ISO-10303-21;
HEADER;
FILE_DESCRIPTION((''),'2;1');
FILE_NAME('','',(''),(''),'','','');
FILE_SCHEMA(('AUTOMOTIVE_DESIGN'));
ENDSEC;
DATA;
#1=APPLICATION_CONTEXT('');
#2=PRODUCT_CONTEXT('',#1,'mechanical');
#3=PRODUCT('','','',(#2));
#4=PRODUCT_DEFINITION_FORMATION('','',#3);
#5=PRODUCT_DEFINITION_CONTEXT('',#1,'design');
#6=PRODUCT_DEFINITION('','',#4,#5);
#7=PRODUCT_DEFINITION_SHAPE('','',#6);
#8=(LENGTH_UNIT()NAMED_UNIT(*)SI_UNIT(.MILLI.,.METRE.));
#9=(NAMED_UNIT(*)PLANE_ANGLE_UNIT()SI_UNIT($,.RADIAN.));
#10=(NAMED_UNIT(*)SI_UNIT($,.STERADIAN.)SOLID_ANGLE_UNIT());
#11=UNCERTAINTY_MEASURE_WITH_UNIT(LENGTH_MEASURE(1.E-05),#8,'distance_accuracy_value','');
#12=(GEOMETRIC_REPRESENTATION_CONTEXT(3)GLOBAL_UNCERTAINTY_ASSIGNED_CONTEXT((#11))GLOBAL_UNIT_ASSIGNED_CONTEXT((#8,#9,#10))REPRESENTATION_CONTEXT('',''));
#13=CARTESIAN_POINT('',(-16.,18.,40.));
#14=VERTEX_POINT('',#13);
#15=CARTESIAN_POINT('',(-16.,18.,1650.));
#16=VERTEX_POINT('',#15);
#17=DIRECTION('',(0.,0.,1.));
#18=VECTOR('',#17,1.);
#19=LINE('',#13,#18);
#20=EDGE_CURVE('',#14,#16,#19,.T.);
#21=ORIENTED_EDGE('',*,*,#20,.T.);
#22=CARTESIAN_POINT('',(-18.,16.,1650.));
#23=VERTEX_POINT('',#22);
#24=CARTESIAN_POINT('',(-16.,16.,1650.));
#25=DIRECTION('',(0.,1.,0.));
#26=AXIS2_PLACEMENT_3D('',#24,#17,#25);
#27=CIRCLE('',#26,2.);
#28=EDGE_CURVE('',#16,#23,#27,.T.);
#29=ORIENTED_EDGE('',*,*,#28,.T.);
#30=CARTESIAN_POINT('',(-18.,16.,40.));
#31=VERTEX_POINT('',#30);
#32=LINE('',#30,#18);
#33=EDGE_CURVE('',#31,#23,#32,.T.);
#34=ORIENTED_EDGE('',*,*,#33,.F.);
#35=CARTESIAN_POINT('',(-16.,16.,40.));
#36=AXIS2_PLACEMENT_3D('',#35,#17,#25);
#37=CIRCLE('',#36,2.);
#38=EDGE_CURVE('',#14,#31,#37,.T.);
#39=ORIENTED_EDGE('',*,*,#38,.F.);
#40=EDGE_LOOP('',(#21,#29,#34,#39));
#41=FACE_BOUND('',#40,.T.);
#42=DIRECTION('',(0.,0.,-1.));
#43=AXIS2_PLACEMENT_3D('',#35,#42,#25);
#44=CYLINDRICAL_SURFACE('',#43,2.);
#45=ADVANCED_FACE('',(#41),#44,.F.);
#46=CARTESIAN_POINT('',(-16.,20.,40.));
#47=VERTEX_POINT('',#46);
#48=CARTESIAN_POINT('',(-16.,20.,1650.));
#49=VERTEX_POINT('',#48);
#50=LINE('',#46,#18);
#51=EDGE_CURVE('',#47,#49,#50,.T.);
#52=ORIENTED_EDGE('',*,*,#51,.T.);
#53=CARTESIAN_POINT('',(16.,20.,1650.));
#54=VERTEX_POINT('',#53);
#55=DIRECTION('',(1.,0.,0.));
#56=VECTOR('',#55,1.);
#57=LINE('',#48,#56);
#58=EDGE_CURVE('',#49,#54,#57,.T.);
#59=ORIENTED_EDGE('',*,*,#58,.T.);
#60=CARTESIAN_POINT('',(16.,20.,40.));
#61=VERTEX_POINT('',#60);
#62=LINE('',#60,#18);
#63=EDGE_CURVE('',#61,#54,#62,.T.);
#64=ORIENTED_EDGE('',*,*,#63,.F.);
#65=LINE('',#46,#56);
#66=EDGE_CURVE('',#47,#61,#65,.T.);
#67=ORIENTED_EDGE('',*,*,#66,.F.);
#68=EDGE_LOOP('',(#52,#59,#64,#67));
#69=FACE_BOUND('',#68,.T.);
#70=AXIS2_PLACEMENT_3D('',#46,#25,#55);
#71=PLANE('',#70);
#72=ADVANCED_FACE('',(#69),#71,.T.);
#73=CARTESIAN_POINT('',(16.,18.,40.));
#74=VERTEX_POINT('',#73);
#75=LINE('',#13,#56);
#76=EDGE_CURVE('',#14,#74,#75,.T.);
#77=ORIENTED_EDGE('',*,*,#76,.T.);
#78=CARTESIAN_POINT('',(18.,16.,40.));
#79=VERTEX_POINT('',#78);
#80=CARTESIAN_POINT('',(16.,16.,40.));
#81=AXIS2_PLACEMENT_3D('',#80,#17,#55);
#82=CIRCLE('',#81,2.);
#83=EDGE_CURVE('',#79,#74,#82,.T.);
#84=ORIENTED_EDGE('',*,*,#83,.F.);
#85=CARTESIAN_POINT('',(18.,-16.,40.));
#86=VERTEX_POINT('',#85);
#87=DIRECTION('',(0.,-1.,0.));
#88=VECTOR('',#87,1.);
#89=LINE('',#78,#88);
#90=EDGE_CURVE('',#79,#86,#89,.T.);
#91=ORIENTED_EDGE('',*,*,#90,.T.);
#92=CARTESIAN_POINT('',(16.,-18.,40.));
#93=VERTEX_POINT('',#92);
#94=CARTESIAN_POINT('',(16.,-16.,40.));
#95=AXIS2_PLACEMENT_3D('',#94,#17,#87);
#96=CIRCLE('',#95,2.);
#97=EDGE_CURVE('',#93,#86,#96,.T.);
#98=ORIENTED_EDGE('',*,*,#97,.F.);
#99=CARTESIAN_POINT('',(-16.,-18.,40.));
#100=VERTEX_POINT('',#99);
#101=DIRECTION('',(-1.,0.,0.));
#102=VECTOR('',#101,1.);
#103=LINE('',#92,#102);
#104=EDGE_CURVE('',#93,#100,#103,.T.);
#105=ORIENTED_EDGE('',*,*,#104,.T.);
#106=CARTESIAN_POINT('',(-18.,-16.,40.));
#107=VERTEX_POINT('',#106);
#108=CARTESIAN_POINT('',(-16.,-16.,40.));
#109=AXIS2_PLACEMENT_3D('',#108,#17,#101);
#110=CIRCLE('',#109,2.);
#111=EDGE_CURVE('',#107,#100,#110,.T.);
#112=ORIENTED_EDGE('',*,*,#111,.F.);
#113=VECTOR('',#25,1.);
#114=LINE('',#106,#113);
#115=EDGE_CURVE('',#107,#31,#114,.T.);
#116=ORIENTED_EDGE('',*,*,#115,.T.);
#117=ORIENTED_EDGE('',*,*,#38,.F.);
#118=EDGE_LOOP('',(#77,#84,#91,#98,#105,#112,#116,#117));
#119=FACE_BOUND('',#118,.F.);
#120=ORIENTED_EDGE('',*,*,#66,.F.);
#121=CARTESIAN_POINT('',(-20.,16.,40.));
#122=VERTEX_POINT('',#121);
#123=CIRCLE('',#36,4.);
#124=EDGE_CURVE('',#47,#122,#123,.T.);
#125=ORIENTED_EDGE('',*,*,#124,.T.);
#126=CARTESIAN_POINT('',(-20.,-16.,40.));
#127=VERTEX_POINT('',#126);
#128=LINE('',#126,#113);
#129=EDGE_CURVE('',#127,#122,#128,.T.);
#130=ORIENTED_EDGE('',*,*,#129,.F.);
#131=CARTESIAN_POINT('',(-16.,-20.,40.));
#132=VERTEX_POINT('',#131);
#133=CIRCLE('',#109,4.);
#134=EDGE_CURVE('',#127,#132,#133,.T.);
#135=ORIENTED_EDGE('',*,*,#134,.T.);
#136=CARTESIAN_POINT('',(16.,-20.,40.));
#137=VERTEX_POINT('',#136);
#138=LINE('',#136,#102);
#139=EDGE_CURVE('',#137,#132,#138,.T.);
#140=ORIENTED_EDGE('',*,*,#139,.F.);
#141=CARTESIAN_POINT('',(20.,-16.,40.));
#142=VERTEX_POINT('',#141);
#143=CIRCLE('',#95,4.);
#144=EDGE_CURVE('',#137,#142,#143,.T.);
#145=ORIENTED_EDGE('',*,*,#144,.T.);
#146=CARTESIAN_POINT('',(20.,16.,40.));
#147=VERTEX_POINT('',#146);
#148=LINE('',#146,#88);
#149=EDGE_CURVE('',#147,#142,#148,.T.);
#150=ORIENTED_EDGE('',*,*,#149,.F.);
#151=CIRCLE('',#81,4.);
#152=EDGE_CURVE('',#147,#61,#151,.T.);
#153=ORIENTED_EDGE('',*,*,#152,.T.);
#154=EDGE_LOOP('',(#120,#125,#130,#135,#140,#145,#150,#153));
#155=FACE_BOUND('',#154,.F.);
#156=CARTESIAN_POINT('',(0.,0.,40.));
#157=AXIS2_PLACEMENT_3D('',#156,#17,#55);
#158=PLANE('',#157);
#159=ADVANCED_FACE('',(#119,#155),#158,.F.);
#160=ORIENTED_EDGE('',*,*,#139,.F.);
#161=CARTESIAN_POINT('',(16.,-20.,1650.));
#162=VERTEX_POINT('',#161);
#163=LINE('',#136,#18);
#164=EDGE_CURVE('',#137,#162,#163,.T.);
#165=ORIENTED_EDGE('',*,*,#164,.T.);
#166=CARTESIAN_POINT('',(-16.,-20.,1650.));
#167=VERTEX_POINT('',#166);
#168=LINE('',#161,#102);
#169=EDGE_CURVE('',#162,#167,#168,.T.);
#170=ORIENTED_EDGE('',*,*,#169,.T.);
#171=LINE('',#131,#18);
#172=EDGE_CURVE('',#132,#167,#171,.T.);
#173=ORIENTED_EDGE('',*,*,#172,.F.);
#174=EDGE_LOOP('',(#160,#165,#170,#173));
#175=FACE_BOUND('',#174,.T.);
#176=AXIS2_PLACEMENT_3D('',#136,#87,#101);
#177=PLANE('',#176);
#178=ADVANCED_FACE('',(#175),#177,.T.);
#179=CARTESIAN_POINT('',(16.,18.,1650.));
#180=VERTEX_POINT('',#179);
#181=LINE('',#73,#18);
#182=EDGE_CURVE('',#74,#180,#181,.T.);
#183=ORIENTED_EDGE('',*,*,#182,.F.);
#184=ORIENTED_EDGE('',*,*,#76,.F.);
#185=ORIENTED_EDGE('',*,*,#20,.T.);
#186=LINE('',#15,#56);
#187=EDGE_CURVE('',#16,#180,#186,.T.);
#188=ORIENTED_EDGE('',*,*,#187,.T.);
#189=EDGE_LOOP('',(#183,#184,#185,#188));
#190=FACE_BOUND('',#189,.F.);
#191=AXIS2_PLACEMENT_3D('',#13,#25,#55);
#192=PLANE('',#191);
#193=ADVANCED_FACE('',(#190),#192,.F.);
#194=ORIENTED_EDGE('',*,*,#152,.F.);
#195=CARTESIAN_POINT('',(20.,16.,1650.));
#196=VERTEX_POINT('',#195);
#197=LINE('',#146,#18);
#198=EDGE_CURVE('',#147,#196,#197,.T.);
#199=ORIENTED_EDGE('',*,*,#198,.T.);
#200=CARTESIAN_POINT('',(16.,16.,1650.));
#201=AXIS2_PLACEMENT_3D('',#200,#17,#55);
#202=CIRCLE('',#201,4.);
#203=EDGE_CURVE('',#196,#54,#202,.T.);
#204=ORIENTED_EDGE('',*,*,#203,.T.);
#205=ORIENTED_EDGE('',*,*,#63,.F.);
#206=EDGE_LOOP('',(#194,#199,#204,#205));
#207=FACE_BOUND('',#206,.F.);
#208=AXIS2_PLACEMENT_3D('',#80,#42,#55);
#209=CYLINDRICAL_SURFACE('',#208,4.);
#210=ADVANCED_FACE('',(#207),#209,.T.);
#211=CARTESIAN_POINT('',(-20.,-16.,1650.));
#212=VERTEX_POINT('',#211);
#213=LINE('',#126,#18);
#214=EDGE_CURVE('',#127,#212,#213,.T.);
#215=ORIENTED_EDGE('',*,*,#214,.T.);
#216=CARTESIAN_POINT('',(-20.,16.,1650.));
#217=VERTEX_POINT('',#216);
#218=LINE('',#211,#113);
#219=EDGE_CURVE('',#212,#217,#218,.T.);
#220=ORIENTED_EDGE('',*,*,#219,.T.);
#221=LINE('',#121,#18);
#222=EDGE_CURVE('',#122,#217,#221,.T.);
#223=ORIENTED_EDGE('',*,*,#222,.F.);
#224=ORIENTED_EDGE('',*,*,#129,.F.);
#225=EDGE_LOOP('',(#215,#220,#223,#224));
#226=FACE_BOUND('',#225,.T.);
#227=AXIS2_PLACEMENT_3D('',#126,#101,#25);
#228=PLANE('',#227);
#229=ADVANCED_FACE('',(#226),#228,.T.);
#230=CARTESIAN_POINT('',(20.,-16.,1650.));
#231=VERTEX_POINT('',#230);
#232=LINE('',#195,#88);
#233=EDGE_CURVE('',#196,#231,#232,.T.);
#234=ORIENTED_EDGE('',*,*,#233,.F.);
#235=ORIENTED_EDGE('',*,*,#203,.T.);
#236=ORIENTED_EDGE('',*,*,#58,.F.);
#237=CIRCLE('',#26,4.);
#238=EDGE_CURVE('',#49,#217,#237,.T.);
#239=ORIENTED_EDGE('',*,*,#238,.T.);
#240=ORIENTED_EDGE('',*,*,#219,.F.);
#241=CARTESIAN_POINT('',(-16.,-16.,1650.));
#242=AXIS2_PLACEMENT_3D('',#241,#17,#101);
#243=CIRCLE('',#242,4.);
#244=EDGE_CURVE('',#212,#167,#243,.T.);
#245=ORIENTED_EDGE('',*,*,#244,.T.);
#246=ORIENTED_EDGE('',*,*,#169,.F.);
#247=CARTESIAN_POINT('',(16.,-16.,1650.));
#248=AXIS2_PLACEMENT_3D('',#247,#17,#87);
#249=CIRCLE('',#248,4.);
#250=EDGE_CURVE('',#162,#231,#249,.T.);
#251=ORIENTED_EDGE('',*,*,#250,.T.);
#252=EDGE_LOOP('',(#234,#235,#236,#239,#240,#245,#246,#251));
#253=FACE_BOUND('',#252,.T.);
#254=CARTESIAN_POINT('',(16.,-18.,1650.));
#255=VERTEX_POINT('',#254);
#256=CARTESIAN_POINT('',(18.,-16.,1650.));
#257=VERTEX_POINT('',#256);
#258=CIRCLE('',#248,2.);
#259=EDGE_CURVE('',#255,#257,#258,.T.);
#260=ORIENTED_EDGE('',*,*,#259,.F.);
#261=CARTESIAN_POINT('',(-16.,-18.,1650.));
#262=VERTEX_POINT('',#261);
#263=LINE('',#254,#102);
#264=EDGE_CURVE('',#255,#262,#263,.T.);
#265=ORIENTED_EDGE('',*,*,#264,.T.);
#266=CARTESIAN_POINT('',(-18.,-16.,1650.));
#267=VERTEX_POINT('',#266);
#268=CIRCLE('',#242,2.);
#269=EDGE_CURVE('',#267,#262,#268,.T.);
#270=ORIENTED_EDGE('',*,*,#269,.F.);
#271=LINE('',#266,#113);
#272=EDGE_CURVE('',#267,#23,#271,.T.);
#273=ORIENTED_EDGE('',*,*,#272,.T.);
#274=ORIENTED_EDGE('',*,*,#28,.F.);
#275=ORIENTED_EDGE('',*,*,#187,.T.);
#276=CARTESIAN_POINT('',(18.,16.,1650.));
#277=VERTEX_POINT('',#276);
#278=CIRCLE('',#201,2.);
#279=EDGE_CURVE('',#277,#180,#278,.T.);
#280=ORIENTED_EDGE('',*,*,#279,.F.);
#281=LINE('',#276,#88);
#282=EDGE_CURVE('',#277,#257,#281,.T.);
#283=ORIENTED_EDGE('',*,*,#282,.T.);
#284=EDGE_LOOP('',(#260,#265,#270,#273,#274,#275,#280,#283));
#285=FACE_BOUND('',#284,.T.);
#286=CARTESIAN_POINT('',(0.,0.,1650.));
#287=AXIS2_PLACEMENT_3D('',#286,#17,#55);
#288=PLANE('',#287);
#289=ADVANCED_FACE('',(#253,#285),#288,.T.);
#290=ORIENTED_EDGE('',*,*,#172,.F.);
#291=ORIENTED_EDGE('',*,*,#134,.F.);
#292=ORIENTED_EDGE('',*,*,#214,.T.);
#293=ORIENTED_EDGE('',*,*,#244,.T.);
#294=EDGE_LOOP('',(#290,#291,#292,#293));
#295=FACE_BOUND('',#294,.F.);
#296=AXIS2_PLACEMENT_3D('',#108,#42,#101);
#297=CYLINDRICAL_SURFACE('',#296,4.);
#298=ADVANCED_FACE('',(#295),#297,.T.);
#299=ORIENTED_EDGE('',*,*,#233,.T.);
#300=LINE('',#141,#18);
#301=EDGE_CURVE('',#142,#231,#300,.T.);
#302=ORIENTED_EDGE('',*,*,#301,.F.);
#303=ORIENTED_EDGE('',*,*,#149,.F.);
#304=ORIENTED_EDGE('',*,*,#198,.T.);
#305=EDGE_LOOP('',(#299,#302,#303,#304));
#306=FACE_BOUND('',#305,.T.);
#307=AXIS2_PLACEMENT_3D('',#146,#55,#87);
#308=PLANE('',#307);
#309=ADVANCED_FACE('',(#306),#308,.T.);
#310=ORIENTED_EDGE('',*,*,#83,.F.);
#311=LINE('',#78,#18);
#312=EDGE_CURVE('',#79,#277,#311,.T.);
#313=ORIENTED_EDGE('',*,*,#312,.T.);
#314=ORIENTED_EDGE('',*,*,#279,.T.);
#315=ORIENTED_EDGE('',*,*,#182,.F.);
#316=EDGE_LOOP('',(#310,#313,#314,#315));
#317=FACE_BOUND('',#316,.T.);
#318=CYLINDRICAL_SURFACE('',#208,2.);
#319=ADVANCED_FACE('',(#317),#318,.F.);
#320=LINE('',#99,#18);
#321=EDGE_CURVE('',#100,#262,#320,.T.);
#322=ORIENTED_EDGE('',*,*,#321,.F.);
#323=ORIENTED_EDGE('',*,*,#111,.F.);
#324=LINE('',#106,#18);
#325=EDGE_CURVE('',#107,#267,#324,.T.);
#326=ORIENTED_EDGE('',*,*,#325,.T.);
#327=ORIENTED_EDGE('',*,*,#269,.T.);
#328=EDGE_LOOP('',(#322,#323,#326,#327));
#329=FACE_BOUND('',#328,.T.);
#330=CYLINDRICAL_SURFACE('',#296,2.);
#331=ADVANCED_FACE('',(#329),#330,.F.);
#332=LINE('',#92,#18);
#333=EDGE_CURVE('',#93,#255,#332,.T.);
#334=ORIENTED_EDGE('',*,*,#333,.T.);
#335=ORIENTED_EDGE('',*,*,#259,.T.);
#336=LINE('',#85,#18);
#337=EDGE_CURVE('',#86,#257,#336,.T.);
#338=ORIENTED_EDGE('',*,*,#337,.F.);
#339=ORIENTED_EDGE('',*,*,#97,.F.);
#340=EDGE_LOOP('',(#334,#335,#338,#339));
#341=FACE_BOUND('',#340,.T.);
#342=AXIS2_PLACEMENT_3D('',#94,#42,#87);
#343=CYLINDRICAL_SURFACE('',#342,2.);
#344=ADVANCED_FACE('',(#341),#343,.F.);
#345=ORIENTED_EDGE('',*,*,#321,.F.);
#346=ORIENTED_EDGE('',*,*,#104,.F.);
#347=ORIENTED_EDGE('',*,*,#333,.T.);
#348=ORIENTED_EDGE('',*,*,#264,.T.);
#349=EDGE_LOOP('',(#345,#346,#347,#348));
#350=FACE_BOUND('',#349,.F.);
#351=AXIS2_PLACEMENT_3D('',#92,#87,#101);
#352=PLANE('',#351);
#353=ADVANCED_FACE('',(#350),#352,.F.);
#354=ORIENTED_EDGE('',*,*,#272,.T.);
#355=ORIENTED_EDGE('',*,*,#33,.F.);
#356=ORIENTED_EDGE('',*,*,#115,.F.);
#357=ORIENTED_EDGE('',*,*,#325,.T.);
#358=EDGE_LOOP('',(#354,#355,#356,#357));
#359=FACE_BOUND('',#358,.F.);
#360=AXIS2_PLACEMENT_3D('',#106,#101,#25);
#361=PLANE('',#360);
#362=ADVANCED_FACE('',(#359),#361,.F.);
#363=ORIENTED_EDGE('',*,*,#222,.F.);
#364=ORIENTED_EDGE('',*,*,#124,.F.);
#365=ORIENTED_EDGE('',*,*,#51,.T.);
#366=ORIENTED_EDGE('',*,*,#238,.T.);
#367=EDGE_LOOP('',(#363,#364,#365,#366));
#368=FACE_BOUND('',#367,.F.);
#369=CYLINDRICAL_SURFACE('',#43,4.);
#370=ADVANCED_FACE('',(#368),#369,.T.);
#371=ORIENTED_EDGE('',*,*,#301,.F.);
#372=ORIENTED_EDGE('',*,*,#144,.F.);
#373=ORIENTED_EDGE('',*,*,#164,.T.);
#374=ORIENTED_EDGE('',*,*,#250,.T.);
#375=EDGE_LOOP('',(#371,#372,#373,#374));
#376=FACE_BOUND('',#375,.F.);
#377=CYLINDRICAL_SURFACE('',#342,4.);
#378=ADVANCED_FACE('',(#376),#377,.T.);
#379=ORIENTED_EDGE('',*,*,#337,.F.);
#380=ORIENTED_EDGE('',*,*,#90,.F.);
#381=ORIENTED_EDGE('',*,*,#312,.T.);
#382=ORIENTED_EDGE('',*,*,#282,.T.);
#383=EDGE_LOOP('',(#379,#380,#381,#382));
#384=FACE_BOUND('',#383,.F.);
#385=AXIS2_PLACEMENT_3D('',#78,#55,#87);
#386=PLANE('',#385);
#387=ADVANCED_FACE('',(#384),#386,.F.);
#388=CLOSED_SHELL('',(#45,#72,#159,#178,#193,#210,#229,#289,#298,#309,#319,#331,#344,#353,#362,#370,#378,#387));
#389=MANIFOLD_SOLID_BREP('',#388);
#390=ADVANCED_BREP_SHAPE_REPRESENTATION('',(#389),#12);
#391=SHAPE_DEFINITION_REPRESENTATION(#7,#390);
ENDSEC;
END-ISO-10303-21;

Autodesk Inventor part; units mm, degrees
ref_plane "YZ Plane" through (0, 0, 0) normal (1, 0, 0) x (0, 1, 0)
ref_plane "Start Plane" through (0, 0, 40) normal (0, 0, 1) x (1, 0, 0)
ref_plane "End Plane" through (0, 0, 1650) normal (0, 0, 1) x (1, 0, 0)
sketch "Sketch" plane through (0, 0, 0) normal (0, 0, 1) x (1, 0, 0)
  line L0 (-20, -16) -> (-20, 16)
  line L1 (-16, 20) -> (16, 20)
  line L2 (20, 16) -> (20, -16)
  line L3 (16, -20) -> (-16, -20)
  arc A0 (-20, -16) -> (-16, -20) centre (-16, -16) ccw
  arc A1 (20, 16) -> (16, 20) centre (16, 16) ccw
  arc A2 (-16, 20) -> (-20, 16) centre (-16, 16) ccw
  arc A3 (16, -20) -> (20, -16) centre (16, -16) ccw
  arc A4 (-16, 18) -> (-18, 16) centre (-16, 16) ccw
  line L4 (-16, 18) -> (16, 18)
  arc A5 (18, 16) -> (16, 18) centre (16, 16) ccw
  line L5 (18, 16) -> (18, -16)
  arc A6 (16, -18) -> (18, -16) centre (16, -16) ccw
  line L6 (16, -18) -> (-16, -18)
  arc A7 (-18, -16) -> (-16, -18) centre (-16, -16) ccw
  line L7 (-18, -16) -> (-18, 16)
  line L8 (0, 29.1598) -> (0, -29.1598) construction
  line L9 (-29.1598, 0) -> (29.1598, 0) construction
  dimension "d7" = 4
  dimension "d9" = 40
  dimension "d11" = 40
  dimension "d12" = 2
  dimension "d15" = 20
  dimension "d16" = 20
extrude "Body" add sketch "Sketch" along normal up to surface (1610 mm away) from surface at 40
sketch "Sketch3" plane through (0, 0, 0) normal (0, 0, 1) x (1, 0, 0)
  line L0 (0, 0) -> (10, 0)
ref_plane "Work Plane3" through (0, 0, 0) normal (0, -1, 0) x (1, 0, 0)
sketch "Sketch4" plane through (0, 0, 0) normal (0, -1, 0) x (1, 0, 0)
  line L0 (-2, 40) -> (12, 40) projected
  line L1 (-2, 1650) -> (12, 1650) projected
  dimension "d18" = 1610
equation "\"d7\" = G_IR"
equation "\"d9\" = G_W"
equation "\"d11\" = G_H"
equation "\"d12\" = G_T"
equation "\"d15\" = 0.5 * d9"
equation "\"d16\" = 0.5 * d11"
equation "\"d3\" = G_L"
equation "\"G_W\" = 40"
equation "\"G_H\" = 40"
equation "\"G_T\" = 2"
equation "\"G_IR\" = 4"
equation "\"G_L\" = d18"
equation "\"G_OFFSET_END\" = 0"
properties part number "ISO 4019 - 40x40x2 - 1610" material "Steel, Mild"
